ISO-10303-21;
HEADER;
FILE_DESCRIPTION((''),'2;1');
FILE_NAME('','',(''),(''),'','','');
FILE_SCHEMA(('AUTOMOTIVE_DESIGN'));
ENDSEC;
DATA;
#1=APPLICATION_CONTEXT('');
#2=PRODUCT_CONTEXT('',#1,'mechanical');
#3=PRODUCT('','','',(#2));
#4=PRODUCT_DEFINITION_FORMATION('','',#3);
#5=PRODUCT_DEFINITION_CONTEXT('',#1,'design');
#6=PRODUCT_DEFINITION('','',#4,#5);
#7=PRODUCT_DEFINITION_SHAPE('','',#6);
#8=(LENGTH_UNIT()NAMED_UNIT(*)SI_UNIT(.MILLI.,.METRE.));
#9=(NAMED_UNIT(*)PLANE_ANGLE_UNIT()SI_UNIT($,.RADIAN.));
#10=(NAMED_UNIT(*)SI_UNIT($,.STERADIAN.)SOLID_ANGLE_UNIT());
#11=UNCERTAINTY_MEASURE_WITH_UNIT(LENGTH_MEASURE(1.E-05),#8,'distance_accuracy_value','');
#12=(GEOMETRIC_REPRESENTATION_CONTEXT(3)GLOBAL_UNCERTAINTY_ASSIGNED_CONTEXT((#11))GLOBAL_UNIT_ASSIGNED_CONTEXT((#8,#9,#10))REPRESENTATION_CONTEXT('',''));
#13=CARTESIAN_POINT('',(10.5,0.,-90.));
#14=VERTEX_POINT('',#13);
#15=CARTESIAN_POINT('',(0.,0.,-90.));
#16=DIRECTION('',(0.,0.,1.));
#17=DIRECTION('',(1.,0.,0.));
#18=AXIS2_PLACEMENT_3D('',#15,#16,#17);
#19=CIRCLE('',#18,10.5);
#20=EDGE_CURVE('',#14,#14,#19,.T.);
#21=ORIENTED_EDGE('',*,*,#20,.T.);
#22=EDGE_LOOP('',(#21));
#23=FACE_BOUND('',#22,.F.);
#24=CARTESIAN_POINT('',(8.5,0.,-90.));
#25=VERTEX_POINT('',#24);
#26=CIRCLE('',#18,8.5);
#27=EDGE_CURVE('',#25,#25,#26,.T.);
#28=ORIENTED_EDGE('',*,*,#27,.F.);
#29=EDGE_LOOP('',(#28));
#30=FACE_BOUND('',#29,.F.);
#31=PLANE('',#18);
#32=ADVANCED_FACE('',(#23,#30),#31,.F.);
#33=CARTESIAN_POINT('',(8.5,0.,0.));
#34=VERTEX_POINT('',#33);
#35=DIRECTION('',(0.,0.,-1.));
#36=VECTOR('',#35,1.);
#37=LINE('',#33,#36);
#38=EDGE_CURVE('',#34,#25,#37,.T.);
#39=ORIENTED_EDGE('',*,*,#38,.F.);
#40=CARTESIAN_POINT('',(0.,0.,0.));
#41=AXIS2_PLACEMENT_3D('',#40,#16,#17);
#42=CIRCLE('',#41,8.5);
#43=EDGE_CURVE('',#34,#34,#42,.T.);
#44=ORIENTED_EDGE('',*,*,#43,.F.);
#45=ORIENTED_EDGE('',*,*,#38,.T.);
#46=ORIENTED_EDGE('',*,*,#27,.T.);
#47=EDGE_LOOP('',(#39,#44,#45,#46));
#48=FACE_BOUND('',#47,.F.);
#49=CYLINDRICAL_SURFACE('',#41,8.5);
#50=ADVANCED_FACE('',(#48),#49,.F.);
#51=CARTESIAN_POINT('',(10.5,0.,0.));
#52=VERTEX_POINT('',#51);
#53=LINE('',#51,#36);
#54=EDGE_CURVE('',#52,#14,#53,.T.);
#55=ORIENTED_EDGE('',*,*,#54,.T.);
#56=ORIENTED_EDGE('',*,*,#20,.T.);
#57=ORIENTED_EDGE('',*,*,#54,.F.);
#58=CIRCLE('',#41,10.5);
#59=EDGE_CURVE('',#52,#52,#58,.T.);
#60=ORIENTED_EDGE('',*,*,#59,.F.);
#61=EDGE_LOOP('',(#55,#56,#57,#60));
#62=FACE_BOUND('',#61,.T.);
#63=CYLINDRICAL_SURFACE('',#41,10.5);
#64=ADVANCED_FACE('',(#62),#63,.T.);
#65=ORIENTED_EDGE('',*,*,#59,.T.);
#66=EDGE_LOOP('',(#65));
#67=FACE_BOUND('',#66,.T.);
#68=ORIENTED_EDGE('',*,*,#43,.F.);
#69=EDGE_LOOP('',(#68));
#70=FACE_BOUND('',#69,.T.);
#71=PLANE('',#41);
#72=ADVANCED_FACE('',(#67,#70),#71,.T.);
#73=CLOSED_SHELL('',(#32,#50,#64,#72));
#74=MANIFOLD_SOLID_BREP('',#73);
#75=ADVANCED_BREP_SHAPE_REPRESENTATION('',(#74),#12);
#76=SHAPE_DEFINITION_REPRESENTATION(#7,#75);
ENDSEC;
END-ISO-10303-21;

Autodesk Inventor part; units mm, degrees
ref_plane "YZ Plane" through (0, 0, 0) normal (1, 0, 0) x (0, 1, 0)
ref_plane "XZ Plane" through (0, 0, 0) normal (0, 1, 0) x (-1, 0, 0)
ref_plane "XY Plane" through (0, 0, 0) normal (0, 0, 1) x (1, 0, 0)
sketch "Sketch11" plane through (0, 0, 0) normal (0, 0, 1) x (1, 0, 0)
  circle A0 centre (0, 0) radius 10.5
  circle A1 centre (0, 0) radius 8.5
  dimension "d187" = 21
  dimension "d188" = 2
extrude "Extrusion5" add sketch "Sketch11" against normal blind 90
properties part number "APN 1756 FDS 1200 way tube 6" material "Stainless Steel"
